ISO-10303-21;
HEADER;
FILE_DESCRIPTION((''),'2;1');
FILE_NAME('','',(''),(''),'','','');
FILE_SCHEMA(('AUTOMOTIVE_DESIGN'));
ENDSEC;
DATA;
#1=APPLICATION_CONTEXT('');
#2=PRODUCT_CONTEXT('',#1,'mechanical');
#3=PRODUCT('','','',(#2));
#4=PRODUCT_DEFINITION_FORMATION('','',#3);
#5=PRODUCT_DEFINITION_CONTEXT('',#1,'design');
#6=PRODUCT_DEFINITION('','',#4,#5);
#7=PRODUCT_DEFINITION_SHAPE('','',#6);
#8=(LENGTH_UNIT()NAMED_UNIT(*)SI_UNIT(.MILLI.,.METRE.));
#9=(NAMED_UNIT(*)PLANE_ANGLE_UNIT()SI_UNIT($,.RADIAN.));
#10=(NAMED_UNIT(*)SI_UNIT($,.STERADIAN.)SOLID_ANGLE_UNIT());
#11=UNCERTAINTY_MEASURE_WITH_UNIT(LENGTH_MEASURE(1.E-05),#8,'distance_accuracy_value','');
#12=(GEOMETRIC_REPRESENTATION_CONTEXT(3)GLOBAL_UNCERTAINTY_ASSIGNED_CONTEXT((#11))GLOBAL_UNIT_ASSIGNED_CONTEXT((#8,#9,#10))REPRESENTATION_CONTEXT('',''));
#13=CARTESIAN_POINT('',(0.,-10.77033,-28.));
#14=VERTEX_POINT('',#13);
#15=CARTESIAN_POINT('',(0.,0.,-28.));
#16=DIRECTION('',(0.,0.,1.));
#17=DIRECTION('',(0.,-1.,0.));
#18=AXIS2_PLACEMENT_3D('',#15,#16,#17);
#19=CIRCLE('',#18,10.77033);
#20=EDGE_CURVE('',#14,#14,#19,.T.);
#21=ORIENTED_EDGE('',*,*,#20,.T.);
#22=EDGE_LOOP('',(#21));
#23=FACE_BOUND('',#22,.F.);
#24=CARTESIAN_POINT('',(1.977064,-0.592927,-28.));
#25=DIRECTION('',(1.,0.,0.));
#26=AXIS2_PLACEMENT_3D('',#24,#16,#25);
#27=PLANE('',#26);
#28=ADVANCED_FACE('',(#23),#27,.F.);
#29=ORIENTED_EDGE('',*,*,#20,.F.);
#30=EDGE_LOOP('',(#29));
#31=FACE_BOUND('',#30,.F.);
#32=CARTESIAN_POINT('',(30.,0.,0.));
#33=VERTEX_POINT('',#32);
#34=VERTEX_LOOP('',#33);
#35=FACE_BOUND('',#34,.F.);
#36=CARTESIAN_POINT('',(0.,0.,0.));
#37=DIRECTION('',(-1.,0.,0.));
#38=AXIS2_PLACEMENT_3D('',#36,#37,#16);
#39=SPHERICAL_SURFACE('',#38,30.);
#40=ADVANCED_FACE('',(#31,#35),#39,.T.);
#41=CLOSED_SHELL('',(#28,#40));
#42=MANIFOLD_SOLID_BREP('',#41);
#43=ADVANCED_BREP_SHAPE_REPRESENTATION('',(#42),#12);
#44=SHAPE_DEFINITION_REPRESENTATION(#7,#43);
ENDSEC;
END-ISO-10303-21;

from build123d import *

# Parameters (mm, degrees)
F4_START = -28
F3_W     = 60
F3_H     = 60
F4_DEPTH = 72


with BuildPart() as f2:
    # F1 (on Front) → F2 (revolve)
    with BuildSketch(Plane.XZ):
        with BuildLine():
            Line((-30, 0), (30, 0))
            ThreePointArc((30, 0), (0, 30), (-30, 0))
        make_face()
    revolve(axis=Axis((0, 0, 0), (1, 0, 0)))

    # F3 (on Top) → F4 (cut)
    with BuildSketch(Plane.XY.offset(F4_START)):
        with Locations((1.9770637155, -0.5929265171)):
            Rectangle(F3_W, F3_H)
    extrude(amount=-F4_DEPTH, mode=Mode.SUBTRACT)


solid = f2.part
